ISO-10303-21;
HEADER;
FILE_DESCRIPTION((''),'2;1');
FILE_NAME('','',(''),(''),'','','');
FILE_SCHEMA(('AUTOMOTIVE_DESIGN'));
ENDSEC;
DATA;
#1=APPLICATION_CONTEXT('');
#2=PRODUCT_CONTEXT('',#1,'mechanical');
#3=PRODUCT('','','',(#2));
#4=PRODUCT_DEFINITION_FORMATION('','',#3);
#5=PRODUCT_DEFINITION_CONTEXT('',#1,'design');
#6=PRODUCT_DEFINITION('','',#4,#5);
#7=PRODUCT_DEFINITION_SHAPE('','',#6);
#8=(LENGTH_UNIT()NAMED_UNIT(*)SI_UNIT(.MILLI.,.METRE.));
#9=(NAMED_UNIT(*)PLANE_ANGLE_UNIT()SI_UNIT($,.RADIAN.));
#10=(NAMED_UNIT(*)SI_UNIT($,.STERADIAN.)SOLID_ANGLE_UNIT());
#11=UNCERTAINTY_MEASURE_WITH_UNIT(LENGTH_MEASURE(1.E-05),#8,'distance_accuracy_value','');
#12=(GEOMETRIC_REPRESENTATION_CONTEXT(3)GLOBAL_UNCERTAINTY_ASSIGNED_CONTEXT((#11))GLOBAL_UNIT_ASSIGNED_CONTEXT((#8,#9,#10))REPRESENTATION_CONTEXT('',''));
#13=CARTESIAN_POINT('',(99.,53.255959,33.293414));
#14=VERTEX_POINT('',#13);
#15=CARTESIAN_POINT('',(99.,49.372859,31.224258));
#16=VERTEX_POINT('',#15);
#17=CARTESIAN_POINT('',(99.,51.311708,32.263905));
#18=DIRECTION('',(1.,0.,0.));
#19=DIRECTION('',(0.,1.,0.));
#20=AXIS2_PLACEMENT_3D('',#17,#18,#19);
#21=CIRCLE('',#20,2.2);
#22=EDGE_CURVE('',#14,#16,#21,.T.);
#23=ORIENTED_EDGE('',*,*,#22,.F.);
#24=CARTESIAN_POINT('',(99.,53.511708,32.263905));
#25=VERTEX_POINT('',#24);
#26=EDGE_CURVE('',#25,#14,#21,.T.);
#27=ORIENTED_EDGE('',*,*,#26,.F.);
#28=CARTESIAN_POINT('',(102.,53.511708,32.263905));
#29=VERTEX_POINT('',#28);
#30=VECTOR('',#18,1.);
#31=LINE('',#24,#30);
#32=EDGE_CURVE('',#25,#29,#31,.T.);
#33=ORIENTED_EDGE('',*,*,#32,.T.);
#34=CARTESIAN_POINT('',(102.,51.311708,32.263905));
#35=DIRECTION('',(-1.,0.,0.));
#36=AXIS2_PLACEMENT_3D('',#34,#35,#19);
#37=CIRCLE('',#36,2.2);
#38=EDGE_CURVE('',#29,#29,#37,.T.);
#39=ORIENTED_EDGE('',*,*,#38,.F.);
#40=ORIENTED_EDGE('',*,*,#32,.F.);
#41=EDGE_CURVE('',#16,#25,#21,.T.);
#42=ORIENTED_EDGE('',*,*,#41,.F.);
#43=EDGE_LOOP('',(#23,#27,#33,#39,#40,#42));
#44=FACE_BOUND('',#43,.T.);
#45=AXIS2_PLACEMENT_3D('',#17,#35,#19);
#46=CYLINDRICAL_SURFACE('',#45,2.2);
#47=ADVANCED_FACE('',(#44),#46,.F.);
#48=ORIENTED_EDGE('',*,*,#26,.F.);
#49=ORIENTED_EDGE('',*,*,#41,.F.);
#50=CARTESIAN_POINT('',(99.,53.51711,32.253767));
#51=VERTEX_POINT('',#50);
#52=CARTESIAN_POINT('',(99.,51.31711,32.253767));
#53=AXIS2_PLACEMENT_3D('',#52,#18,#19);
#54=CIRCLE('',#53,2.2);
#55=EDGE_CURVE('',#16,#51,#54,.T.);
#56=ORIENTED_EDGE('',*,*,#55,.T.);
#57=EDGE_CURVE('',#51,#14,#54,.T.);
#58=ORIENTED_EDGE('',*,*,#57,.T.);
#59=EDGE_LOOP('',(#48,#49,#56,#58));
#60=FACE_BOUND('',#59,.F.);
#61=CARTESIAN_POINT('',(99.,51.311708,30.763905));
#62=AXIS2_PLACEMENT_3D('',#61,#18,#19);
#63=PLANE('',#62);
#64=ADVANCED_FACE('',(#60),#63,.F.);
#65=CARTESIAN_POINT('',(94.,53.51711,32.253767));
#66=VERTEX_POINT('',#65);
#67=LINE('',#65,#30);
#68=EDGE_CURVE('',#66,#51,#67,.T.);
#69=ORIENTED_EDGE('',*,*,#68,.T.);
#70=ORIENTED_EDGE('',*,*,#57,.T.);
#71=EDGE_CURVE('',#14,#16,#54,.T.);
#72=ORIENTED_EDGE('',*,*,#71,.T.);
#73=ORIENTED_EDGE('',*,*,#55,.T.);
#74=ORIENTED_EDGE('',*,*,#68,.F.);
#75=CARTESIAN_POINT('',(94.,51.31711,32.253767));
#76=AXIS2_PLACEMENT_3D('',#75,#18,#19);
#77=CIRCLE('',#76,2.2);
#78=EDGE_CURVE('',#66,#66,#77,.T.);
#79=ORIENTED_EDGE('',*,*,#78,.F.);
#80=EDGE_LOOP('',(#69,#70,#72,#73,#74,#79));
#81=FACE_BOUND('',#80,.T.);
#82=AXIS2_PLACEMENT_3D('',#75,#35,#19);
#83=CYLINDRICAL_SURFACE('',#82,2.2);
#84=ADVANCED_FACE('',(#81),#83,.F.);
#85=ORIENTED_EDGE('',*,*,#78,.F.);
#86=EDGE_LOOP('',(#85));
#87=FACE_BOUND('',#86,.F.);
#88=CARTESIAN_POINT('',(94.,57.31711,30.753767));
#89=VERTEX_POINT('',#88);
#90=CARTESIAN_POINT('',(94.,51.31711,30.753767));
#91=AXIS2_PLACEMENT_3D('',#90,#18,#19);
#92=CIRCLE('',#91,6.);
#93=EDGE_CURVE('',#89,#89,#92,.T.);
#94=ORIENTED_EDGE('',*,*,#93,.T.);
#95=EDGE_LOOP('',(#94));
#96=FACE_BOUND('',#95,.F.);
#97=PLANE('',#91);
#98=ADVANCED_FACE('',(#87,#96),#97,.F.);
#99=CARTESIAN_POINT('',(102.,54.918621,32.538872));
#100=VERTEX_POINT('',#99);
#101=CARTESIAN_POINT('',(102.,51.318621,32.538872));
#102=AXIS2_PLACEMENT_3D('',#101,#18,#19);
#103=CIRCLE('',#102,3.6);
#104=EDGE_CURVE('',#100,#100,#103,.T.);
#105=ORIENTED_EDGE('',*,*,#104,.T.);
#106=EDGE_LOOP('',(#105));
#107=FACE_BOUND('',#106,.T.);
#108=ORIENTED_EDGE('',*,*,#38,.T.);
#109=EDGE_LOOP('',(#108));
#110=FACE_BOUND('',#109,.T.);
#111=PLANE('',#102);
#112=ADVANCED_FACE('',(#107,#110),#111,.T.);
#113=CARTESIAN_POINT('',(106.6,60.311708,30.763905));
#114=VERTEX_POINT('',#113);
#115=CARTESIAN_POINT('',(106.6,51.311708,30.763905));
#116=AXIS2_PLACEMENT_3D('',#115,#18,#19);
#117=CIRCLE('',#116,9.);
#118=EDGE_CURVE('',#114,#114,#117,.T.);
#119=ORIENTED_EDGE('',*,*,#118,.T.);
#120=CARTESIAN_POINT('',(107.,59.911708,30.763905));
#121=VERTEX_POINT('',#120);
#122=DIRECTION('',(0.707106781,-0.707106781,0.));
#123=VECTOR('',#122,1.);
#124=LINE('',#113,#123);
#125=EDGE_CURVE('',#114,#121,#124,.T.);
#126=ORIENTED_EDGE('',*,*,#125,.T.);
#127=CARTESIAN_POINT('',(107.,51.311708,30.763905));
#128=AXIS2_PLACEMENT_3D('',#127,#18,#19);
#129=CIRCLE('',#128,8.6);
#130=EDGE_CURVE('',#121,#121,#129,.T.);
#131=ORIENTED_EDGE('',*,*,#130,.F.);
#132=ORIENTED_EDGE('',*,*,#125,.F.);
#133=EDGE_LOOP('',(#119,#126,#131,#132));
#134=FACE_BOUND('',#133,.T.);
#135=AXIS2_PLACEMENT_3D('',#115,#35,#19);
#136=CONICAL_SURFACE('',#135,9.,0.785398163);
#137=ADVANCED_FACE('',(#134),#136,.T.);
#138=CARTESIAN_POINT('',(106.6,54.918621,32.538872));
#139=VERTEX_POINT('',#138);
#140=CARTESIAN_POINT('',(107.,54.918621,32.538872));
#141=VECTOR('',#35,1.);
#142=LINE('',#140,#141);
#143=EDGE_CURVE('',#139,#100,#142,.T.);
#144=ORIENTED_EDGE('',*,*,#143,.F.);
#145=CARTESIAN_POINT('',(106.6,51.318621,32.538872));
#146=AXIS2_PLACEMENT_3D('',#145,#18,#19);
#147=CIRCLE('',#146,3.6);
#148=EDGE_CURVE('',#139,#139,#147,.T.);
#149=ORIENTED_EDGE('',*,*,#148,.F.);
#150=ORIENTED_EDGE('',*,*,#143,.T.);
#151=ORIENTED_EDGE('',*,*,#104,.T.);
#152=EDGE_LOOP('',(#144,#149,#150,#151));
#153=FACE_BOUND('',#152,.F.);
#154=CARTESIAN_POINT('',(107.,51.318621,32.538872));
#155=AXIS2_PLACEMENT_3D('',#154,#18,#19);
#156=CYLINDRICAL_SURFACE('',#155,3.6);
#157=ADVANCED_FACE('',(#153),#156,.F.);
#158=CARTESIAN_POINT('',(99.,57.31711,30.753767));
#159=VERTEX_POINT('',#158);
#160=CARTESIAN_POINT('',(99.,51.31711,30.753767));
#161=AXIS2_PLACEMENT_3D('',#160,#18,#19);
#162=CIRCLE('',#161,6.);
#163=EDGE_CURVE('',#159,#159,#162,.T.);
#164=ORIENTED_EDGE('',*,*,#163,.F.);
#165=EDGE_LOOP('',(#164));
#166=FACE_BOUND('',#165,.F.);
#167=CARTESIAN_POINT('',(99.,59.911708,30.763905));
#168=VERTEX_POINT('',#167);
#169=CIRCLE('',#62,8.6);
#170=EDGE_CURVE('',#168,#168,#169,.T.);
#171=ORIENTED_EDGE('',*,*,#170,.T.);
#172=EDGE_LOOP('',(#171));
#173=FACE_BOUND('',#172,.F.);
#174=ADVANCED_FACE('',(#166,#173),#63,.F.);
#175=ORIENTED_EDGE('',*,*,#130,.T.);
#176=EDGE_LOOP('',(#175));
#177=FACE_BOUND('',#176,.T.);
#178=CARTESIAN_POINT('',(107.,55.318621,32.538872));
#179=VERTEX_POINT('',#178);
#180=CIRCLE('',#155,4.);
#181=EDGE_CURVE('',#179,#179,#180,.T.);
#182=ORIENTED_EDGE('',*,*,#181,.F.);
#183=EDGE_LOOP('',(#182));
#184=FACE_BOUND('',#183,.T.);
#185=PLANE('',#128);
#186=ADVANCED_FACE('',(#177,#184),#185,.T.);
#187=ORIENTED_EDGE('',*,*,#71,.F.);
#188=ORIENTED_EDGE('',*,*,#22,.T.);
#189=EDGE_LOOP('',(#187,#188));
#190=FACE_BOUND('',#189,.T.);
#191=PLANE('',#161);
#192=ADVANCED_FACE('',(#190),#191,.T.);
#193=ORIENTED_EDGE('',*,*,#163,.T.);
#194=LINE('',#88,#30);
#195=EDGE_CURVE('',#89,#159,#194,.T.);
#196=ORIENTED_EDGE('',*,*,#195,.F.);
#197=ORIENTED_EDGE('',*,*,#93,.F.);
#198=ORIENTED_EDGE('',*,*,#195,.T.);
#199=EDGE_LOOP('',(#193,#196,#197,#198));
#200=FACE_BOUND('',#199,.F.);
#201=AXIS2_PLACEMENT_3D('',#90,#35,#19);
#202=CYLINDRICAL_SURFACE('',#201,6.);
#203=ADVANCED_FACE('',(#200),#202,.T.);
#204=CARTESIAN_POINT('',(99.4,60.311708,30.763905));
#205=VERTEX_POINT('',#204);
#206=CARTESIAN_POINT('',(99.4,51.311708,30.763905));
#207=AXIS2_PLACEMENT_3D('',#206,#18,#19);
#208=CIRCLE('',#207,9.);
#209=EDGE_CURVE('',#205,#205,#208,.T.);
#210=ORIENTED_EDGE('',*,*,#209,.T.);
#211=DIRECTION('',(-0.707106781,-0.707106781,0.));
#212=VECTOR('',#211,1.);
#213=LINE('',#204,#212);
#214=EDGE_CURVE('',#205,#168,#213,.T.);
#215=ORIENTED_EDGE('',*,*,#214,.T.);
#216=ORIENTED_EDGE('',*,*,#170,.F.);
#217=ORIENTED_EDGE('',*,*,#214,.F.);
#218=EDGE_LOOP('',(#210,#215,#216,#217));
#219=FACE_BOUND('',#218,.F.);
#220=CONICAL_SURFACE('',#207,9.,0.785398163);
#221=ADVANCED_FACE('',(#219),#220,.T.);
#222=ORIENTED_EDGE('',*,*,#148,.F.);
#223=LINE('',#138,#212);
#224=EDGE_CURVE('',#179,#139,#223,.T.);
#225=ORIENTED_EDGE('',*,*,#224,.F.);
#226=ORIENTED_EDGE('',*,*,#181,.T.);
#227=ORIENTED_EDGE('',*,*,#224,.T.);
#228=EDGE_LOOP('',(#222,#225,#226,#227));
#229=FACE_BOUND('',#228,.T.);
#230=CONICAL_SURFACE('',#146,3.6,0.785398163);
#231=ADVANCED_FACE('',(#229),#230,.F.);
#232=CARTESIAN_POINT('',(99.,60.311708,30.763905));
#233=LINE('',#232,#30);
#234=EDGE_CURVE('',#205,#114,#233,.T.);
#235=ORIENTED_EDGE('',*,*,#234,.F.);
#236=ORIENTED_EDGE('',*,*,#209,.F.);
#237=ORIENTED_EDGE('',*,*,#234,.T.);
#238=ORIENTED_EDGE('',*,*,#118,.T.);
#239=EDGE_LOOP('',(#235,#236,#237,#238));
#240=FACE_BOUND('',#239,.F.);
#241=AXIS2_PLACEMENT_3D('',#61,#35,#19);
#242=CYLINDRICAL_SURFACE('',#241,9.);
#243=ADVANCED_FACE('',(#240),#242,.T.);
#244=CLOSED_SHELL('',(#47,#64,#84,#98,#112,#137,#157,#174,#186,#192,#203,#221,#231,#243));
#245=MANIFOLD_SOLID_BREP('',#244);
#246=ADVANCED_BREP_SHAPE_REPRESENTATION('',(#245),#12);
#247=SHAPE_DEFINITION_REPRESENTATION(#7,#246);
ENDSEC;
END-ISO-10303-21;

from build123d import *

# Parameters (mm, degrees)
SKETCH005_R             = 6
SKETCH005_R_2           = 2.2
PAD002_DEPTH            = 5
SKETCH006_R             = 9
SKETCH006_R_2           = 2.2
PAD003_DEPTH            = 8
SKETCH007_R             = 3.6
POCKET_DEPTH            = 5
CHAMFER002_SIZE         = 0.4
BODY002_PLACEMENT_ANGLE = 90


with BuildPart() as part:
    # Sketch005 → Pad002 (new body)
    with BuildSketch(Plane.XZ):
        with Locations((66.64711, 33.3637672875)):
            Circle(SKETCH005_R)
        with Locations((66.64711, 34.8637672875)):
            Circle(SKETCH005_R_2, mode=Mode.SUBTRACT)
    extrude(amount=PAD002_DEPTH)

    # Sketch006 (on Face4 of Pad002) → Pad003 (join)
    with BuildSketch(Plane.XZ.offset(5)):
        with Locations((66.641708, 33.373905)):
            Circle(SKETCH006_R)
        with Locations((66.641708, 34.873905)):
            Circle(SKETCH006_R_2, mode=Mode.SUBTRACT)
    extrude(amount=PAD003_DEPTH)

    # Sketch007 (on Face8 of Pad003) → Pocket (cut)
    with BuildSketch(Plane.XZ.offset(13)):
        with Locations((66.648621, 35.148872)):
            Circle(SKETCH007_R)
    extrude(amount=-POCKET_DEPTH, mode=Mode.SUBTRACT)

    # Chamfer002
    chamfer002_edges = [part.edges().sort_by_distance(p)[0] for p in [
        (57.641708, -13, 33.373905),
        (57.641708, -5, 33.373905),
        (63.048621, -13, 35.148872),
    ]]
    chamfer(chamfer002_edges, length=CHAMFER002_SIZE)


with BuildPart() as part_1:
    # Body001 placement: moved
    add(part.part.moved(Location((-1, 0, 0))))


with BuildPart() as part_2:
    # Clone placement: moved
    add(part_1.part.moved(Location((1, 0, 0))))


with BuildPart() as part_3:
    # Body002 placement: moved
    add(part_2.part.moved(Location((94, -15.33, -2.61))).rotate(Axis((94, -15.33, -2.61), (0, 0, 1)), BODY002_PLACEMENT_ANGLE))


solid = part_3.part
